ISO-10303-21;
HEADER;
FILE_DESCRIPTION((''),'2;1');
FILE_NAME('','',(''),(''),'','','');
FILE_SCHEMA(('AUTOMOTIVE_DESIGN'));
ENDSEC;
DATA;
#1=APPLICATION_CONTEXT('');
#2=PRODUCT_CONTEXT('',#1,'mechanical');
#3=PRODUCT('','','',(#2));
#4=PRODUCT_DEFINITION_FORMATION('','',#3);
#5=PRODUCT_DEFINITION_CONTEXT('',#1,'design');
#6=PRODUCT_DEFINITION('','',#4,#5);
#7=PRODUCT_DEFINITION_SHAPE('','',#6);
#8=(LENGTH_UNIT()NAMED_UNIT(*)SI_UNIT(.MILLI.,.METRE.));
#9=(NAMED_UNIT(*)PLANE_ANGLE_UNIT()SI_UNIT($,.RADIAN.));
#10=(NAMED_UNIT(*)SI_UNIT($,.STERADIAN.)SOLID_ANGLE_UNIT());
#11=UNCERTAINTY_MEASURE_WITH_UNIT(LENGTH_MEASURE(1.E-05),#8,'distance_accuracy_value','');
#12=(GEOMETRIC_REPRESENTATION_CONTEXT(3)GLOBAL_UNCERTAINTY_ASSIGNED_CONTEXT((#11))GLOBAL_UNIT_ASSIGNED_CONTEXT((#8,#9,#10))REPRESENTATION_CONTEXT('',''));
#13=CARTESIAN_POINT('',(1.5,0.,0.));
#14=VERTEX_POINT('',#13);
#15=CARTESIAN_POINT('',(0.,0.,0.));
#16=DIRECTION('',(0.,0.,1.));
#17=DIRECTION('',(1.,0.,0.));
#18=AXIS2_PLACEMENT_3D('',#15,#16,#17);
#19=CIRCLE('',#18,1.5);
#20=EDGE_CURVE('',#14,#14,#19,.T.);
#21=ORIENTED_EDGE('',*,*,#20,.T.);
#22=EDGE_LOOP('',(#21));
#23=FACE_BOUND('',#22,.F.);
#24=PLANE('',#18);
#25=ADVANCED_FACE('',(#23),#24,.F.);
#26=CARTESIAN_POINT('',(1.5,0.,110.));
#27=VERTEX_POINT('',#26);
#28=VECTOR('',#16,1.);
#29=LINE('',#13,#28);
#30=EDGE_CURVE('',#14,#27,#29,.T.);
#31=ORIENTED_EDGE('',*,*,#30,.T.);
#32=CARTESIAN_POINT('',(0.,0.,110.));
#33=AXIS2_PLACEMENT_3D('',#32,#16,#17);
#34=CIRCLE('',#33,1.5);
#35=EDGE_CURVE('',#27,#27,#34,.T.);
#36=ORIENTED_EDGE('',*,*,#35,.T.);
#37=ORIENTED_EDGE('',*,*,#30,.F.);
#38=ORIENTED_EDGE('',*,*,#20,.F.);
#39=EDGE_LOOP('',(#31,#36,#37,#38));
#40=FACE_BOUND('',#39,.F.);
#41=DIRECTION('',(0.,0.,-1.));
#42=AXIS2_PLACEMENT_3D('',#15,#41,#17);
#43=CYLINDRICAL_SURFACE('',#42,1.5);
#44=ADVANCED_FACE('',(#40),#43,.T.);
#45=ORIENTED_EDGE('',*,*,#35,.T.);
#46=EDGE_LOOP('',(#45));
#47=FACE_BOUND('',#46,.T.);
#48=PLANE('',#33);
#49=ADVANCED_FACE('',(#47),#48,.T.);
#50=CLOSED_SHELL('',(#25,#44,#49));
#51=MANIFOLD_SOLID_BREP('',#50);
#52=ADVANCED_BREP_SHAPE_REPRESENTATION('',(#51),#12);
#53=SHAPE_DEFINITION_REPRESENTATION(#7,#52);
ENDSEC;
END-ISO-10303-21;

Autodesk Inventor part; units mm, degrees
ref_plane "YZ Plane" through (0, 0, 0) normal (1, 0, 0) x (0, 1, 0)
ref_plane "XZ Plane" through (0, 0, 0) normal (0, 1, 0) x (-1, 0, 0)
ref_plane "XY Plane" through (0, 0, 0) normal (0, 0, 1) x (1, 0, 0)
sketch "草图1" plane through (0, 0, 0) normal (0, 0, 1) x (1, 0, 0)
  circle A0 centre (0, 0) radius 1.5
  dimension "d0" = 3
extrude "拉伸1" add sketch "草图1" along normal blind 110
properties part number "短轴3"
